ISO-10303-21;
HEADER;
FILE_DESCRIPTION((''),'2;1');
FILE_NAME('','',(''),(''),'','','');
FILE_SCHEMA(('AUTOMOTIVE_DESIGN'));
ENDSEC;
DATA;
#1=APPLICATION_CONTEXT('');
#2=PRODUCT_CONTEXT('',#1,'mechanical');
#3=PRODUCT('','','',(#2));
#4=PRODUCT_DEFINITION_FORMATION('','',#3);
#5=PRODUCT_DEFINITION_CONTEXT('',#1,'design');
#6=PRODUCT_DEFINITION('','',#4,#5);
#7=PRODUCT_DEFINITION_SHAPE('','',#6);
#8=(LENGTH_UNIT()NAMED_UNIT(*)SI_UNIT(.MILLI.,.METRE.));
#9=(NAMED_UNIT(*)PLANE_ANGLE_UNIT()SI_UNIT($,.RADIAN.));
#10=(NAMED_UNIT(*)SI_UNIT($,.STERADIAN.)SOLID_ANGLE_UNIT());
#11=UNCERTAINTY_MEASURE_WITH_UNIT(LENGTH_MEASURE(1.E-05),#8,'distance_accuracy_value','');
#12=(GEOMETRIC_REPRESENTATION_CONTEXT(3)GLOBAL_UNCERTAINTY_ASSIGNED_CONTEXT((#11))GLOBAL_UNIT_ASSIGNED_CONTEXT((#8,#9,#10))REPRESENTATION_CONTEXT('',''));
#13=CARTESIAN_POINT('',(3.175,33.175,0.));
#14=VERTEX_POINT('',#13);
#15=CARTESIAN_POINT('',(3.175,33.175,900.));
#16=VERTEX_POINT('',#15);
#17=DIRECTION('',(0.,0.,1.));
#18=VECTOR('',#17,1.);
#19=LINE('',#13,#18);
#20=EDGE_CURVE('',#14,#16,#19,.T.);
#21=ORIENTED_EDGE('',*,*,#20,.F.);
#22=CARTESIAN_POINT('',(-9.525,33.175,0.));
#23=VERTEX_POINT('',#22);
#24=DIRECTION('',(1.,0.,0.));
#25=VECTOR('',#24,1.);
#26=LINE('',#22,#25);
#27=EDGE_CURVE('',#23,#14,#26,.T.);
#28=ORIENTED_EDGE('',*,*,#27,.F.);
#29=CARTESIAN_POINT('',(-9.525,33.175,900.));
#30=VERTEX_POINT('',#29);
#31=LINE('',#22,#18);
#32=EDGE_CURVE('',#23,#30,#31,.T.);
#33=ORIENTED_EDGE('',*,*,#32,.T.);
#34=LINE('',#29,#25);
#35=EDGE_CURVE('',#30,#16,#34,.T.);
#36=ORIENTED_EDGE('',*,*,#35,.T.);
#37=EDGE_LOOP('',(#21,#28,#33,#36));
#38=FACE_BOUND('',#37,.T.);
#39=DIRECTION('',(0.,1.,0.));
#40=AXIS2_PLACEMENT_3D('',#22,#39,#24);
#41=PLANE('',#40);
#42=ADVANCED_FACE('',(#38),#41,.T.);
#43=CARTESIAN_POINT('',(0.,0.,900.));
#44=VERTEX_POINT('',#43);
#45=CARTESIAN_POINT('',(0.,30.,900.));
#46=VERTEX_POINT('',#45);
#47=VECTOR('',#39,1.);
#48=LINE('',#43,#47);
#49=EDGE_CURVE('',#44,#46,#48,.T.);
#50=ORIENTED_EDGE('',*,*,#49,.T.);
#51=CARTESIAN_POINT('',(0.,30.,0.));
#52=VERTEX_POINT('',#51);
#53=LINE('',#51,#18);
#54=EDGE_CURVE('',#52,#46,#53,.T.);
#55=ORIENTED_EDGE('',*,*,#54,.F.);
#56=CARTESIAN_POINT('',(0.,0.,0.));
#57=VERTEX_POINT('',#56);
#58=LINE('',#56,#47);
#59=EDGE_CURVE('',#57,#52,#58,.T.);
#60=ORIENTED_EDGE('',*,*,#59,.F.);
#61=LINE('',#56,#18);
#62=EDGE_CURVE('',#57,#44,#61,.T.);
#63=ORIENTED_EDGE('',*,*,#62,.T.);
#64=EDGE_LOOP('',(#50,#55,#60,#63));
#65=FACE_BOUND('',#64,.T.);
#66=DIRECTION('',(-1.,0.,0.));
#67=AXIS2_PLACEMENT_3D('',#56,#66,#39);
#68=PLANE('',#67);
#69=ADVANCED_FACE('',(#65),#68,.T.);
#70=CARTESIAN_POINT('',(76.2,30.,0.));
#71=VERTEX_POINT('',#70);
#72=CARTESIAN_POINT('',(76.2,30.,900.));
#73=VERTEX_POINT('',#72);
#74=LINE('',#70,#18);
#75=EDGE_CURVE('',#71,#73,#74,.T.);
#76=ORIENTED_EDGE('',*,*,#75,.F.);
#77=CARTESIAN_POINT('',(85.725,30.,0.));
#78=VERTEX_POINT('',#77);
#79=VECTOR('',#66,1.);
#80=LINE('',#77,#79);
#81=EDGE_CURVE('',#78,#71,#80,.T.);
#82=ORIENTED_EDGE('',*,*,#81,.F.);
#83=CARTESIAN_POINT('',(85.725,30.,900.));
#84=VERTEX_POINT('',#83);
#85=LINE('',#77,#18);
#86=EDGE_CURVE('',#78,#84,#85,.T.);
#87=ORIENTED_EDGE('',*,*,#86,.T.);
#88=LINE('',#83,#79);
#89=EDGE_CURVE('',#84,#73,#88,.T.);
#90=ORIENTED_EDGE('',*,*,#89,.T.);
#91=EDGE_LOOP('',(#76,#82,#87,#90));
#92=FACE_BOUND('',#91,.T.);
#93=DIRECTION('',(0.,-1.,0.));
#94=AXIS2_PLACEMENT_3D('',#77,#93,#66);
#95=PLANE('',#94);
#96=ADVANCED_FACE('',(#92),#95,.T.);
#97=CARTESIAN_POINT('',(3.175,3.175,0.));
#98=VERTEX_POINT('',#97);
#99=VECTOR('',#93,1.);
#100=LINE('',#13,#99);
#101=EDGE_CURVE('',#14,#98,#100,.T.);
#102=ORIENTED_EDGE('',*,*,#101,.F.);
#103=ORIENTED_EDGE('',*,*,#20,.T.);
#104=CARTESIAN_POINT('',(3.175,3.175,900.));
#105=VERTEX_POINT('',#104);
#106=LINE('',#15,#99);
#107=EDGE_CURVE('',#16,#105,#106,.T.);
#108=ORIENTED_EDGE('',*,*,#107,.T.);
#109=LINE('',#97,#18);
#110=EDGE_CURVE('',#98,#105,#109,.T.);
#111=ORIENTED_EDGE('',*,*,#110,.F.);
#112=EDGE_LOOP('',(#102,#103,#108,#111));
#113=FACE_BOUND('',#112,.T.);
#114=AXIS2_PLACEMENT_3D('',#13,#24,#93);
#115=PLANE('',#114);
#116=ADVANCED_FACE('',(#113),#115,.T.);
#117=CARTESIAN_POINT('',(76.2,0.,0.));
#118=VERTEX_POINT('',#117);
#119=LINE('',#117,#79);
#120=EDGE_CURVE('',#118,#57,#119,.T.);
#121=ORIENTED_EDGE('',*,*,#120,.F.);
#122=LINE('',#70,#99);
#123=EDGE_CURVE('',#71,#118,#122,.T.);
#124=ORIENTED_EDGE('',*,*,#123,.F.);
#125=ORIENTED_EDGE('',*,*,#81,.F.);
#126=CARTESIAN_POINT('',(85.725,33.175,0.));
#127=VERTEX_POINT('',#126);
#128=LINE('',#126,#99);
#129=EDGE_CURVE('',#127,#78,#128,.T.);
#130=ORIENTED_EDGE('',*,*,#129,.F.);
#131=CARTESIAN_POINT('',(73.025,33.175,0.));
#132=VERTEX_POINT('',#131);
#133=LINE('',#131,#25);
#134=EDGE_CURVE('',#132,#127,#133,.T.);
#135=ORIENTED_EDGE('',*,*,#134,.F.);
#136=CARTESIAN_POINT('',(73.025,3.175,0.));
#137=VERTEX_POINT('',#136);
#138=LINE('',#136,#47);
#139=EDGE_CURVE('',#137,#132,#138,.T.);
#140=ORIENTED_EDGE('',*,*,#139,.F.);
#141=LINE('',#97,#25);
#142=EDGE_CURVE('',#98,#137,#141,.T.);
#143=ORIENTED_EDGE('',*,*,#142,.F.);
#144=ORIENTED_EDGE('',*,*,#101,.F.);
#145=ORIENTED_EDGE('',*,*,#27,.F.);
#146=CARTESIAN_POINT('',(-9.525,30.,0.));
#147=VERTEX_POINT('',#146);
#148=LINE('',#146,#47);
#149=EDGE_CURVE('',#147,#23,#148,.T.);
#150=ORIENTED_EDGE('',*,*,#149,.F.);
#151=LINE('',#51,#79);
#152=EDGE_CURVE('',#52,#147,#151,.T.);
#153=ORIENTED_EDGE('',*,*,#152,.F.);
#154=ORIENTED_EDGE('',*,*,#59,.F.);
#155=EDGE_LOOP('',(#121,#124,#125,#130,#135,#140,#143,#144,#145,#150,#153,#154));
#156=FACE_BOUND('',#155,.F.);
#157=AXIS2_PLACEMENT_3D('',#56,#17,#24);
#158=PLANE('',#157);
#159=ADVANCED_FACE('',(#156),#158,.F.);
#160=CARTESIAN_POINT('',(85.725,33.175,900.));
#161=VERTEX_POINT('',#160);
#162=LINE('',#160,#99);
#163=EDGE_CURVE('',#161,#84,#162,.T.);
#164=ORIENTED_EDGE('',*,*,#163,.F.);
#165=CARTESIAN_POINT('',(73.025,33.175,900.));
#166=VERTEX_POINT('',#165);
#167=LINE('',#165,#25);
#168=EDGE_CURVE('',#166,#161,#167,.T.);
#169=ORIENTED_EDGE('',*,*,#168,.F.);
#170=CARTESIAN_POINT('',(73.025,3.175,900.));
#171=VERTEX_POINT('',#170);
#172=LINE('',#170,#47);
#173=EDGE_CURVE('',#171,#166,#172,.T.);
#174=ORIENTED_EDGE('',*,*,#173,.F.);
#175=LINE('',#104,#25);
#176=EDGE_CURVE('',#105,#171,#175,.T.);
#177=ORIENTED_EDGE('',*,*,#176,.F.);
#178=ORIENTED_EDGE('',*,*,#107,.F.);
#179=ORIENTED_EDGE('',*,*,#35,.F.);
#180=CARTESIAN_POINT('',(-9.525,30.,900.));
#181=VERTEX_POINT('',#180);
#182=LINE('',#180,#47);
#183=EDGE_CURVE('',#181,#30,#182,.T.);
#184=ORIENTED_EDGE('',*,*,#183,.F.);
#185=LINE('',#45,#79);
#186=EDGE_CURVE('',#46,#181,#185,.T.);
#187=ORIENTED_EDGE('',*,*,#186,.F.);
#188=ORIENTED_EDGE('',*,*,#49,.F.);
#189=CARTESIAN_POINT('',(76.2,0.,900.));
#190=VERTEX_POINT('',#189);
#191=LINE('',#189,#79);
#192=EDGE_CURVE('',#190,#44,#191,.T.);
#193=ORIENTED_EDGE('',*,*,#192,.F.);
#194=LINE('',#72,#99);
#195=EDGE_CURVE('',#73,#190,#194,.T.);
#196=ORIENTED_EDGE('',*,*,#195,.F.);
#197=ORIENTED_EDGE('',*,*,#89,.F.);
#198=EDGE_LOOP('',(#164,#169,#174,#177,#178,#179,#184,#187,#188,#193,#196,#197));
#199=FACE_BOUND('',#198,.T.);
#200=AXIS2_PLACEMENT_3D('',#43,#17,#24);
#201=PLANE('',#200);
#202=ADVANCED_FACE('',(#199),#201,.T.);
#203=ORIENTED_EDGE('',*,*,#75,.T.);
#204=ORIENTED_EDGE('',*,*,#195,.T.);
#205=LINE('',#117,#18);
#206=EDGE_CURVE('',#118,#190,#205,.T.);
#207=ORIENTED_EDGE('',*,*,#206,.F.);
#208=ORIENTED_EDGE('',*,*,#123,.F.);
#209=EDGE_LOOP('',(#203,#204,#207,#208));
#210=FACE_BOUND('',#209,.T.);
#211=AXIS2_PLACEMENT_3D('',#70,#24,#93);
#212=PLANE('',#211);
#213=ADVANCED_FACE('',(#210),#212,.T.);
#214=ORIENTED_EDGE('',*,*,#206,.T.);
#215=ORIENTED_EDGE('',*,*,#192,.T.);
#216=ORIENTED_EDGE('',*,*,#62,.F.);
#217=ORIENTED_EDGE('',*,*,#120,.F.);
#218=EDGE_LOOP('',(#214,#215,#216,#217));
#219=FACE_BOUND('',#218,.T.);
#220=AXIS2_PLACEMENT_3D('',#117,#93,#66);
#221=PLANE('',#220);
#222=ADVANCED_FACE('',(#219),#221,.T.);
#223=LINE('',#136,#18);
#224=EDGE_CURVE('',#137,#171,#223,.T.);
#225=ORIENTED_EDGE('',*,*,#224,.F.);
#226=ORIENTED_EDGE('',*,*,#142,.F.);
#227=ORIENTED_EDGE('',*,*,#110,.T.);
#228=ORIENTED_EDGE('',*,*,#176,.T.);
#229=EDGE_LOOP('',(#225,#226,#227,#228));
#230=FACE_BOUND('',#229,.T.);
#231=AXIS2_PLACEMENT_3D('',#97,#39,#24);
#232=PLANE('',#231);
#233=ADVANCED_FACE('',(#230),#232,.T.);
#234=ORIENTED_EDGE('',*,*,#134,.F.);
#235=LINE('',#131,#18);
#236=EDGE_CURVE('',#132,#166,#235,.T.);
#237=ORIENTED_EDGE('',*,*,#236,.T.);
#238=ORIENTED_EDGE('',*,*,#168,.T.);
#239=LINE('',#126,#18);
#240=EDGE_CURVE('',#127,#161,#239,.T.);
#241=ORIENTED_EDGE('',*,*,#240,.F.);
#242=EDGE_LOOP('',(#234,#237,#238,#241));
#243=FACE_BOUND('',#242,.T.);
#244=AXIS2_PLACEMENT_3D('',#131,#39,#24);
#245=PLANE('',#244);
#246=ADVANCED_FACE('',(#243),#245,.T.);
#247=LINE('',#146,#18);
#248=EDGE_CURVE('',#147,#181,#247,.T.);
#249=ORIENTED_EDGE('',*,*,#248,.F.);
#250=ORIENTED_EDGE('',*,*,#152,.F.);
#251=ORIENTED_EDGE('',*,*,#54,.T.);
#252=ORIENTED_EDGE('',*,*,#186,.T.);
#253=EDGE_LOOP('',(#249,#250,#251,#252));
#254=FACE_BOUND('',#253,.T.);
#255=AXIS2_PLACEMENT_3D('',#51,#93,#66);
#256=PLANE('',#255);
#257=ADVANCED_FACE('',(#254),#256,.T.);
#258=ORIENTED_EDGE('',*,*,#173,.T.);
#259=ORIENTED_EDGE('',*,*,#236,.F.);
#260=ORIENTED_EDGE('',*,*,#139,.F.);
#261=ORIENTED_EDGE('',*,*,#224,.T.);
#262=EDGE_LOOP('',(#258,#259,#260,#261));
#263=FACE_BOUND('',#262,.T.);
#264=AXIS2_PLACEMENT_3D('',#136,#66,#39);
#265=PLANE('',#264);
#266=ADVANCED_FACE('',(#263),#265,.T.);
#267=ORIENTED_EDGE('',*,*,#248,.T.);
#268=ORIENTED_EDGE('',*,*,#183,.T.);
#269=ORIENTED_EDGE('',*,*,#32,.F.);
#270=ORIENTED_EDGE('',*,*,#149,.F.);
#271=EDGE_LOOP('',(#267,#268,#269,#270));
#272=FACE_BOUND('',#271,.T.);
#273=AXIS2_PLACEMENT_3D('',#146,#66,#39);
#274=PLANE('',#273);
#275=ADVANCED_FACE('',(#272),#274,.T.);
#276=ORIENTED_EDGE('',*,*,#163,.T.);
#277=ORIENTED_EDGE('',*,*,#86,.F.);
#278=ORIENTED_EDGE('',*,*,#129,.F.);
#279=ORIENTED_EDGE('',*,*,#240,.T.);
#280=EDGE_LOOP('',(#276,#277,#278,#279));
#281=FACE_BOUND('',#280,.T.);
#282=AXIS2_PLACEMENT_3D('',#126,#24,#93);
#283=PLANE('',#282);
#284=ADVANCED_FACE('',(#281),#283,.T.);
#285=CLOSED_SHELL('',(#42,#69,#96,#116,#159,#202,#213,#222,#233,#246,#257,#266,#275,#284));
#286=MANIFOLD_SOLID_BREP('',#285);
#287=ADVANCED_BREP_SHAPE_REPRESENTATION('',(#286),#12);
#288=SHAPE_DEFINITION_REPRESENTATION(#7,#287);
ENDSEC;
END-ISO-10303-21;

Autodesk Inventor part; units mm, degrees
ref_plane "YZ Plane" through (0, 0, 0) normal (1, 0, 0) x (0, 1, 0)
ref_plane "XZ Plane" through (0, 0, 0) normal (0, 1, 0) x (-1, 0, 0)
ref_plane "XY Plane" through (0, 0, 0) normal (0, 0, 1) x (1, 0, 0)
sketch "Sketch1" plane through (0, 0, 0) normal (0, 0, 1) x (1, 0, 0)
  line L0 (0, 0) -> (0, 30)
  line L1 (0, 30) -> (-9.525, 30)
  line L2 (-9.525, 30) -> (-9.525, 33.175)
  line L3 (-9.525, 33.175) -> (3.175, 33.175)
  line L4 (3.175, 33.175) -> (3.175, 3.175)
  line L5 (3.175, 3.175) -> (73.025, 3.175)
  line L6 (73.025, 3.175) -> (73.025, 33.175)
  line L7 (73.025, 33.175) -> (85.725, 33.175)
  line L8 (85.725, 33.175) -> (85.725, 30)
  line L9 (85.725, 30) -> (76.2, 30)
  line L10 (76.2, 30) -> (76.2, 0)
  line L11 (76.2, 0) -> (0, 0)
  dimension "d0" = 76.2
  dimension "d1" = 3.175
  dimension "d2" = 3.175
  dimension "d3" = 3.175
  dimension "d5" = 30
  dimension "d8" = 12.7
extrude "Extrusion1" add sketch "Sketch1" along normal blind 900
properties part number "C_CHANNEL"
